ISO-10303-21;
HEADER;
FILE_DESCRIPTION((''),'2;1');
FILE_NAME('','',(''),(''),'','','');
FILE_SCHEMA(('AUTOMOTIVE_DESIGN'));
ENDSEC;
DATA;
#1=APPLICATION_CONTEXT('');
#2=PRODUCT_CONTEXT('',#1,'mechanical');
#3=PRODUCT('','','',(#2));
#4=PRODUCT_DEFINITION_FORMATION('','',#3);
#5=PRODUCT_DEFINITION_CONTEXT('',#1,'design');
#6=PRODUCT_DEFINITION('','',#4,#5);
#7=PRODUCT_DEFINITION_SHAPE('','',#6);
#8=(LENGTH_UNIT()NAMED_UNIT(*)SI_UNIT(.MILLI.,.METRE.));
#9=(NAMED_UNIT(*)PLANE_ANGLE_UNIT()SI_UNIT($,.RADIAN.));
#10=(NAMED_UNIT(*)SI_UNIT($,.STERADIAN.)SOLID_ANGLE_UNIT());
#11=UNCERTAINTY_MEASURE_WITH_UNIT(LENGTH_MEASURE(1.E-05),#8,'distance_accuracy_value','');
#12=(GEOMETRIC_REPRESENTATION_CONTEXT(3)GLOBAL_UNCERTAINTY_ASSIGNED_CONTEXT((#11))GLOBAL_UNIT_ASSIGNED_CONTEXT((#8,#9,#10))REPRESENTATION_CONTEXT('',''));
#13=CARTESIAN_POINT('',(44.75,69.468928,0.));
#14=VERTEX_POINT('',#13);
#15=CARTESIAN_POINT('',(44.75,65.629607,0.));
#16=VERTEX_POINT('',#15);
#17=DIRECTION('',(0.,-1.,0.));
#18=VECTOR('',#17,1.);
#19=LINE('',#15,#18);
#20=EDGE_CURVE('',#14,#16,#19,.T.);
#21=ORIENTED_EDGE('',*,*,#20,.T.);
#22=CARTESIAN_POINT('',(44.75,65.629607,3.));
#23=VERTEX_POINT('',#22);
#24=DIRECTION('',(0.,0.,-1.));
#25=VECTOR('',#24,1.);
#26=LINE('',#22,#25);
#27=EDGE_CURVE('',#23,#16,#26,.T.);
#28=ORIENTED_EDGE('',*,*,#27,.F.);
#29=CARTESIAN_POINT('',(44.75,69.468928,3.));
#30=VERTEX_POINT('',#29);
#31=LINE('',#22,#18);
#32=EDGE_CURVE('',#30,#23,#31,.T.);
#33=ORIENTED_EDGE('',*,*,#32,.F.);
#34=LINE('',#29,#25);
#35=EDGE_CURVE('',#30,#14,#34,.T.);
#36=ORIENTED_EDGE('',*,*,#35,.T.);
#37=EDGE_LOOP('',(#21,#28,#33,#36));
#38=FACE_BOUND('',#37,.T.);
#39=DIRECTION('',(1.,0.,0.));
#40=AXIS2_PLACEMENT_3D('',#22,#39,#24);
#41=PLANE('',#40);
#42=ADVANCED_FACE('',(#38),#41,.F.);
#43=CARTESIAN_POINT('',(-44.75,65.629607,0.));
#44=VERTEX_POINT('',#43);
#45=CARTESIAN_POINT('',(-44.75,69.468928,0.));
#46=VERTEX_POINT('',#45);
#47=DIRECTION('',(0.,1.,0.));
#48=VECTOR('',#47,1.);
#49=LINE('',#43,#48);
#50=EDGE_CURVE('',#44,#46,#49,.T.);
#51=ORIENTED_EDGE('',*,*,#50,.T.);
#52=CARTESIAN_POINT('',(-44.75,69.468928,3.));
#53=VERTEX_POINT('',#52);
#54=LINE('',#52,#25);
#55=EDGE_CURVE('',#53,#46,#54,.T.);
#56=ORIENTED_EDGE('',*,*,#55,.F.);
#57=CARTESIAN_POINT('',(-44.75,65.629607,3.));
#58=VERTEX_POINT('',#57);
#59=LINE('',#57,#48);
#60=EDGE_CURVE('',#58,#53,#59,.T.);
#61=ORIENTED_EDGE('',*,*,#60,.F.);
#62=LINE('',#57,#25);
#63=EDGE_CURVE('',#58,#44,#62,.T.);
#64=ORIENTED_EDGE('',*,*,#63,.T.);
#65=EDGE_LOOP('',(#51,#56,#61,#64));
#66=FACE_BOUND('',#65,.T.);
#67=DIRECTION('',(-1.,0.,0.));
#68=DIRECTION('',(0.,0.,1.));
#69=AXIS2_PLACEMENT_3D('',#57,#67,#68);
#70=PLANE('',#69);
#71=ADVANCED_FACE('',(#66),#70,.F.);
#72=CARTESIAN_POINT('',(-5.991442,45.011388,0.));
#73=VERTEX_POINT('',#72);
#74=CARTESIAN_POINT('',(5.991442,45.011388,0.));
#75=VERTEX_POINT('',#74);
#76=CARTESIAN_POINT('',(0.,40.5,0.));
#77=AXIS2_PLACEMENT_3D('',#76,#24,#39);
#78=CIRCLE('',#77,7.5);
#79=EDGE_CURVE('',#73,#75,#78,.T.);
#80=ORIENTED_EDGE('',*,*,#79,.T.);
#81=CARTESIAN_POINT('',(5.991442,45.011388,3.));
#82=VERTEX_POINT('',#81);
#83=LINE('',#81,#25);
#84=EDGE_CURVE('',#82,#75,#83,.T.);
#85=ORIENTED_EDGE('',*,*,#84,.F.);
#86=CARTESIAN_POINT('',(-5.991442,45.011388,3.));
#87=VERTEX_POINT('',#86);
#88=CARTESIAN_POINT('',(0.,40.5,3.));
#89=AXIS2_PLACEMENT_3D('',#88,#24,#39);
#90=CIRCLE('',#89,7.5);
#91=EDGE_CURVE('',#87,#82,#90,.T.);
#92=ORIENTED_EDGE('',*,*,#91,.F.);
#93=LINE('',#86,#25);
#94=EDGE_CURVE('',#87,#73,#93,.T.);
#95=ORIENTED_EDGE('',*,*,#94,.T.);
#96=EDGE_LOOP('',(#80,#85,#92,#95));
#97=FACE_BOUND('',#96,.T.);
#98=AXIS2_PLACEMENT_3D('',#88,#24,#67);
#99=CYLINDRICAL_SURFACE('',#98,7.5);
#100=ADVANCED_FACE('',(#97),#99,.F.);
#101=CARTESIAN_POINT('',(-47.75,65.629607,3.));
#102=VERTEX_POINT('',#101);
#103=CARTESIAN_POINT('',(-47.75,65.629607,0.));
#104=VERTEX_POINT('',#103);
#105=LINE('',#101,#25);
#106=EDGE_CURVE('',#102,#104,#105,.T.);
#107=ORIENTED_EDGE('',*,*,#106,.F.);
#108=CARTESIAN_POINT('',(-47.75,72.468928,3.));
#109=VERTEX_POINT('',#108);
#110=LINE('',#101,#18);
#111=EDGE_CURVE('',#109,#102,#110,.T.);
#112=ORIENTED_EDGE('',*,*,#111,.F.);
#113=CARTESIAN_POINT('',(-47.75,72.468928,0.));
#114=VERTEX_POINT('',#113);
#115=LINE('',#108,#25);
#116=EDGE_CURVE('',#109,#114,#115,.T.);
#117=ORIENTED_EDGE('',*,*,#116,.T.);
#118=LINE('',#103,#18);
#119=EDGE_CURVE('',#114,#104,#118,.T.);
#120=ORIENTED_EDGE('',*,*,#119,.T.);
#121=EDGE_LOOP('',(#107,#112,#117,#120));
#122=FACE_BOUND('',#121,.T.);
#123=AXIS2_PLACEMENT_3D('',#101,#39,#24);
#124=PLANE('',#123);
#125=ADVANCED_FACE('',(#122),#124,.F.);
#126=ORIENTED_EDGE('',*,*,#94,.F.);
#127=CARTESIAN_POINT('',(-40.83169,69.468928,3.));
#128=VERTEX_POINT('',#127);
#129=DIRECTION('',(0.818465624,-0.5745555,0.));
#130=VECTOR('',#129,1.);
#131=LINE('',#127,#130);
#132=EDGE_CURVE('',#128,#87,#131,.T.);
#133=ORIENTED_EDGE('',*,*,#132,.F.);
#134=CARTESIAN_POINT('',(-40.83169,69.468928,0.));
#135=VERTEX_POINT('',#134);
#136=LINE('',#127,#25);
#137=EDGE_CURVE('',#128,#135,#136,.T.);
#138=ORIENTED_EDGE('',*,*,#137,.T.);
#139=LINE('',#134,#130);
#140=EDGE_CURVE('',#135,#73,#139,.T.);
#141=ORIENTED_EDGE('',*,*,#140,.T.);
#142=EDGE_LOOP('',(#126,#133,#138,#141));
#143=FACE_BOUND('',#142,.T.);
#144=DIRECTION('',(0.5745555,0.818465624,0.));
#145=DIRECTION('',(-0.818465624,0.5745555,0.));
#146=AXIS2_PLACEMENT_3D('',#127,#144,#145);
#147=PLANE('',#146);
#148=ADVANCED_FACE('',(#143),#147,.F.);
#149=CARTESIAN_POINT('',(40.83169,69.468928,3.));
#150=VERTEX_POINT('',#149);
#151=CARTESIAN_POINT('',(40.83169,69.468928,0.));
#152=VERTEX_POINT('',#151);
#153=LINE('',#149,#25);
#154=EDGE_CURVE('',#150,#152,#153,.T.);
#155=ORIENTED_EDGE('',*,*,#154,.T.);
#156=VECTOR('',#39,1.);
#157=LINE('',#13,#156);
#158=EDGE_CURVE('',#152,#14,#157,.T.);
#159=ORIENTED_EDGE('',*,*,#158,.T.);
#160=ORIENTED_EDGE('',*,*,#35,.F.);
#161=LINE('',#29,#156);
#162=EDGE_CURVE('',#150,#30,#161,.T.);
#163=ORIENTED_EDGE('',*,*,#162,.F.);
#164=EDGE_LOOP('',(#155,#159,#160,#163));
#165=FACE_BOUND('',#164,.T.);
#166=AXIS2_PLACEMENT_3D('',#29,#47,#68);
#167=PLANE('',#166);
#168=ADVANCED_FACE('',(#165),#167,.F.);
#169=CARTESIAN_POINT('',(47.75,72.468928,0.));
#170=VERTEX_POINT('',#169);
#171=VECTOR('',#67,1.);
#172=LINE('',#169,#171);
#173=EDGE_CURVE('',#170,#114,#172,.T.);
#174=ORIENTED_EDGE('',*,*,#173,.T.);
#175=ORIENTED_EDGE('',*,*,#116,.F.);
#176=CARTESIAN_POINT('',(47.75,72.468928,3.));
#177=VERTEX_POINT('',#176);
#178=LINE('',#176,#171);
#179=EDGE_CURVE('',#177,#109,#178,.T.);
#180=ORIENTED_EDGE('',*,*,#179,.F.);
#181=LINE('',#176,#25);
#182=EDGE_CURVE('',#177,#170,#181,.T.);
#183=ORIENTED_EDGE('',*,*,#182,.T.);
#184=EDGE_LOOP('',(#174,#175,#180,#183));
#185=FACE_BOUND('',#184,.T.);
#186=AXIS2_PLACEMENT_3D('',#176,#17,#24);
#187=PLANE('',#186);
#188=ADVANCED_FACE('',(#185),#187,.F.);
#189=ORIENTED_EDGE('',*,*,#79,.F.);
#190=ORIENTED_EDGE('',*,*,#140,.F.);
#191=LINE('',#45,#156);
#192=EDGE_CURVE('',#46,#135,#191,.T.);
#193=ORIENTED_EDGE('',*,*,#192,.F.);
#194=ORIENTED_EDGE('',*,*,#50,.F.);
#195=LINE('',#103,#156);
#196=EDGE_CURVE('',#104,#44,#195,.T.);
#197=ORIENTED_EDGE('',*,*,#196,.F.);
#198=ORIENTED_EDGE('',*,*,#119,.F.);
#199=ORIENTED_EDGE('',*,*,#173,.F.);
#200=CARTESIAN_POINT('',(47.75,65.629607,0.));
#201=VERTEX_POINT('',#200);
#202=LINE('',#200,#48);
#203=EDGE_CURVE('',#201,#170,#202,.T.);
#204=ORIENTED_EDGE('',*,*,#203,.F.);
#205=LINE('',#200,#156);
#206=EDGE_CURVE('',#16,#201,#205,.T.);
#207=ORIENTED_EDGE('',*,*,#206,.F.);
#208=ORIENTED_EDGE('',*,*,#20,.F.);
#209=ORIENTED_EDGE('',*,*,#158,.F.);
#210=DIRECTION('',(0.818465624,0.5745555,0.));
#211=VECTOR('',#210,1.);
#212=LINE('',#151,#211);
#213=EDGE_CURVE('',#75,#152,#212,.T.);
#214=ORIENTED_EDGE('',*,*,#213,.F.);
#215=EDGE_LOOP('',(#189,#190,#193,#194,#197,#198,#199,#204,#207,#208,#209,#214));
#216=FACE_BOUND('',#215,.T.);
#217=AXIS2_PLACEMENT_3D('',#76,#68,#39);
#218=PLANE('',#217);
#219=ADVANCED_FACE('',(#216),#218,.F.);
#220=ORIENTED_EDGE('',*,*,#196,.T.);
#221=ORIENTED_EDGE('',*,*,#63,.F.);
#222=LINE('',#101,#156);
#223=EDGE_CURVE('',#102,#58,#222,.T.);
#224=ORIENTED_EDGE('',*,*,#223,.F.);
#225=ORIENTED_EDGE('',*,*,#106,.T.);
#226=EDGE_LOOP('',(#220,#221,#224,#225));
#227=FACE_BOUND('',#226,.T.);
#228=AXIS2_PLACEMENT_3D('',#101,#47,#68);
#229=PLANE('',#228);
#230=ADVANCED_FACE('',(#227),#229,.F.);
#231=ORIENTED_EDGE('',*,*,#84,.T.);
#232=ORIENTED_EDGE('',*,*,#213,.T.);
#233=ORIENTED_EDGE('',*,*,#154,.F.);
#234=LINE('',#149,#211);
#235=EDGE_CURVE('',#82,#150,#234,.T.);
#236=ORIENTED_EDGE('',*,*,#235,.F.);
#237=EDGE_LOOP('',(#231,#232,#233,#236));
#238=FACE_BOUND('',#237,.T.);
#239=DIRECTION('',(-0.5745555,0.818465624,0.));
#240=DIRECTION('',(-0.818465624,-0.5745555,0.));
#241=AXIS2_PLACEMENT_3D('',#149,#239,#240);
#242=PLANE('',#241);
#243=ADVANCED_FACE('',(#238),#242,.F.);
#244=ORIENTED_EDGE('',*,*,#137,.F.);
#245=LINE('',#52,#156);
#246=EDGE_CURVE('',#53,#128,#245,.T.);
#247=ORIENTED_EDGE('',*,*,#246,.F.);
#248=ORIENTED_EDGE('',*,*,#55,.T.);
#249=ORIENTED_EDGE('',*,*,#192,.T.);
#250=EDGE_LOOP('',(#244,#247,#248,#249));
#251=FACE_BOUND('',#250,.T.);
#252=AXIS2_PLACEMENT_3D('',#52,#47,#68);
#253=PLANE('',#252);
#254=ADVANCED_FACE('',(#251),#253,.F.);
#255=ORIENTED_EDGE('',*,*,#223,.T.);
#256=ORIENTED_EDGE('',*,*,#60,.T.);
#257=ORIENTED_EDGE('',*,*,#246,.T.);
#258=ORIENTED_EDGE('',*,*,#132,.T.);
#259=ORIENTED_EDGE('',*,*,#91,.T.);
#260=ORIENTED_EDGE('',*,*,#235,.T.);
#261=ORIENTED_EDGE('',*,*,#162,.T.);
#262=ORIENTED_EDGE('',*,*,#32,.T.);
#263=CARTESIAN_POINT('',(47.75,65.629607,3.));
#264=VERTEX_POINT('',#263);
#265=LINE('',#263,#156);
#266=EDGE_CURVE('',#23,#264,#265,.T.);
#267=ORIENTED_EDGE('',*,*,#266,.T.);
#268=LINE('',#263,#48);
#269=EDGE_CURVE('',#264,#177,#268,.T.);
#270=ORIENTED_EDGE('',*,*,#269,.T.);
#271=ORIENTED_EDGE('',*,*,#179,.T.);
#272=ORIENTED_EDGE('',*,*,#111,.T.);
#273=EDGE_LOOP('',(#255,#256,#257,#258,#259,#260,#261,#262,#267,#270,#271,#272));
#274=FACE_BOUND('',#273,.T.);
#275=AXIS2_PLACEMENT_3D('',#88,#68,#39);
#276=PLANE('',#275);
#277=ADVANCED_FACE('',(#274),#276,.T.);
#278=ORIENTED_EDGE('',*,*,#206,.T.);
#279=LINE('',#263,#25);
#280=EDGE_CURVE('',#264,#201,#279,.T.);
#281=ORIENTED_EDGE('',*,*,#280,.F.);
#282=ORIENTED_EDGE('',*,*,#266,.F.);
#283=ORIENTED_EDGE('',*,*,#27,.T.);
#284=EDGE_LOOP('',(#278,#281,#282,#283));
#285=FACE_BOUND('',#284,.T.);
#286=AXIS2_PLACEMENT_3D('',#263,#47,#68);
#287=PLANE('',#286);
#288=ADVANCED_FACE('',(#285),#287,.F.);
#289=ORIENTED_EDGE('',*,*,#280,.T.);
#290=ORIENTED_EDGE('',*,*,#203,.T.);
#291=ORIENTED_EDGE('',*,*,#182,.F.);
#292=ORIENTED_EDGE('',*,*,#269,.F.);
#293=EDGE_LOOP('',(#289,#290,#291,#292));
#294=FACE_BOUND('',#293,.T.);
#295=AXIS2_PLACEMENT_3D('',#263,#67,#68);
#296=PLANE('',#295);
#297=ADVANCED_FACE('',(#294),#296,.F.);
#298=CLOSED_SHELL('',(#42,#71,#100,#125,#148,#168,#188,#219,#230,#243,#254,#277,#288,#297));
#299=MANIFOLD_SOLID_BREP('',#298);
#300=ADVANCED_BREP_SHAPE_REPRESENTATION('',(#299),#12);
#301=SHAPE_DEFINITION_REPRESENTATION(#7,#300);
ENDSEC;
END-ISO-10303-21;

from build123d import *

# Parameters (mm, degrees)
BOSS_EXTRU_1_DEPTH = 3


with BuildPart() as part:
    # Esquisse2 → Boss.-Extru.1 (new body)
    with BuildSketch(Plane.XY):
        with BuildLine():
            Line((-47.75, 65.629607354), (-44.75, 65.629607354))
            Line((-44.75, 65.629607354), (-44.75, 69.468928374))
            Line((-44.75, 69.468928374), (-40.831689929, 69.468928374))
            Line((-40.831689929, 69.468928374), (-5.991442082, 45.011388011))
            ThreePointArc((-5.991442082, 45.011388011), (0, 48), (5.991442082, 45.011388011))
            Line((5.991442082, 45.011388011), (40.831689929, 69.468928374))
            Line((40.831689929, 69.468928374), (44.75, 69.468928374))
            Line((44.75, 69.468928374), (44.75, 65.629607354))
            Line((44.75, 65.629607354), (47.75, 65.629607354))
            Line((47.75, 65.629607354), (47.75, 72.468928374))
            Line((47.75, 72.468928374), (-47.75, 72.468928374))
            Line((-47.75, 72.468928374), (-47.75, 65.629607354))
        make_face()
    extrude(amount=BOSS_EXTRU_1_DEPTH)


solid = part.part
